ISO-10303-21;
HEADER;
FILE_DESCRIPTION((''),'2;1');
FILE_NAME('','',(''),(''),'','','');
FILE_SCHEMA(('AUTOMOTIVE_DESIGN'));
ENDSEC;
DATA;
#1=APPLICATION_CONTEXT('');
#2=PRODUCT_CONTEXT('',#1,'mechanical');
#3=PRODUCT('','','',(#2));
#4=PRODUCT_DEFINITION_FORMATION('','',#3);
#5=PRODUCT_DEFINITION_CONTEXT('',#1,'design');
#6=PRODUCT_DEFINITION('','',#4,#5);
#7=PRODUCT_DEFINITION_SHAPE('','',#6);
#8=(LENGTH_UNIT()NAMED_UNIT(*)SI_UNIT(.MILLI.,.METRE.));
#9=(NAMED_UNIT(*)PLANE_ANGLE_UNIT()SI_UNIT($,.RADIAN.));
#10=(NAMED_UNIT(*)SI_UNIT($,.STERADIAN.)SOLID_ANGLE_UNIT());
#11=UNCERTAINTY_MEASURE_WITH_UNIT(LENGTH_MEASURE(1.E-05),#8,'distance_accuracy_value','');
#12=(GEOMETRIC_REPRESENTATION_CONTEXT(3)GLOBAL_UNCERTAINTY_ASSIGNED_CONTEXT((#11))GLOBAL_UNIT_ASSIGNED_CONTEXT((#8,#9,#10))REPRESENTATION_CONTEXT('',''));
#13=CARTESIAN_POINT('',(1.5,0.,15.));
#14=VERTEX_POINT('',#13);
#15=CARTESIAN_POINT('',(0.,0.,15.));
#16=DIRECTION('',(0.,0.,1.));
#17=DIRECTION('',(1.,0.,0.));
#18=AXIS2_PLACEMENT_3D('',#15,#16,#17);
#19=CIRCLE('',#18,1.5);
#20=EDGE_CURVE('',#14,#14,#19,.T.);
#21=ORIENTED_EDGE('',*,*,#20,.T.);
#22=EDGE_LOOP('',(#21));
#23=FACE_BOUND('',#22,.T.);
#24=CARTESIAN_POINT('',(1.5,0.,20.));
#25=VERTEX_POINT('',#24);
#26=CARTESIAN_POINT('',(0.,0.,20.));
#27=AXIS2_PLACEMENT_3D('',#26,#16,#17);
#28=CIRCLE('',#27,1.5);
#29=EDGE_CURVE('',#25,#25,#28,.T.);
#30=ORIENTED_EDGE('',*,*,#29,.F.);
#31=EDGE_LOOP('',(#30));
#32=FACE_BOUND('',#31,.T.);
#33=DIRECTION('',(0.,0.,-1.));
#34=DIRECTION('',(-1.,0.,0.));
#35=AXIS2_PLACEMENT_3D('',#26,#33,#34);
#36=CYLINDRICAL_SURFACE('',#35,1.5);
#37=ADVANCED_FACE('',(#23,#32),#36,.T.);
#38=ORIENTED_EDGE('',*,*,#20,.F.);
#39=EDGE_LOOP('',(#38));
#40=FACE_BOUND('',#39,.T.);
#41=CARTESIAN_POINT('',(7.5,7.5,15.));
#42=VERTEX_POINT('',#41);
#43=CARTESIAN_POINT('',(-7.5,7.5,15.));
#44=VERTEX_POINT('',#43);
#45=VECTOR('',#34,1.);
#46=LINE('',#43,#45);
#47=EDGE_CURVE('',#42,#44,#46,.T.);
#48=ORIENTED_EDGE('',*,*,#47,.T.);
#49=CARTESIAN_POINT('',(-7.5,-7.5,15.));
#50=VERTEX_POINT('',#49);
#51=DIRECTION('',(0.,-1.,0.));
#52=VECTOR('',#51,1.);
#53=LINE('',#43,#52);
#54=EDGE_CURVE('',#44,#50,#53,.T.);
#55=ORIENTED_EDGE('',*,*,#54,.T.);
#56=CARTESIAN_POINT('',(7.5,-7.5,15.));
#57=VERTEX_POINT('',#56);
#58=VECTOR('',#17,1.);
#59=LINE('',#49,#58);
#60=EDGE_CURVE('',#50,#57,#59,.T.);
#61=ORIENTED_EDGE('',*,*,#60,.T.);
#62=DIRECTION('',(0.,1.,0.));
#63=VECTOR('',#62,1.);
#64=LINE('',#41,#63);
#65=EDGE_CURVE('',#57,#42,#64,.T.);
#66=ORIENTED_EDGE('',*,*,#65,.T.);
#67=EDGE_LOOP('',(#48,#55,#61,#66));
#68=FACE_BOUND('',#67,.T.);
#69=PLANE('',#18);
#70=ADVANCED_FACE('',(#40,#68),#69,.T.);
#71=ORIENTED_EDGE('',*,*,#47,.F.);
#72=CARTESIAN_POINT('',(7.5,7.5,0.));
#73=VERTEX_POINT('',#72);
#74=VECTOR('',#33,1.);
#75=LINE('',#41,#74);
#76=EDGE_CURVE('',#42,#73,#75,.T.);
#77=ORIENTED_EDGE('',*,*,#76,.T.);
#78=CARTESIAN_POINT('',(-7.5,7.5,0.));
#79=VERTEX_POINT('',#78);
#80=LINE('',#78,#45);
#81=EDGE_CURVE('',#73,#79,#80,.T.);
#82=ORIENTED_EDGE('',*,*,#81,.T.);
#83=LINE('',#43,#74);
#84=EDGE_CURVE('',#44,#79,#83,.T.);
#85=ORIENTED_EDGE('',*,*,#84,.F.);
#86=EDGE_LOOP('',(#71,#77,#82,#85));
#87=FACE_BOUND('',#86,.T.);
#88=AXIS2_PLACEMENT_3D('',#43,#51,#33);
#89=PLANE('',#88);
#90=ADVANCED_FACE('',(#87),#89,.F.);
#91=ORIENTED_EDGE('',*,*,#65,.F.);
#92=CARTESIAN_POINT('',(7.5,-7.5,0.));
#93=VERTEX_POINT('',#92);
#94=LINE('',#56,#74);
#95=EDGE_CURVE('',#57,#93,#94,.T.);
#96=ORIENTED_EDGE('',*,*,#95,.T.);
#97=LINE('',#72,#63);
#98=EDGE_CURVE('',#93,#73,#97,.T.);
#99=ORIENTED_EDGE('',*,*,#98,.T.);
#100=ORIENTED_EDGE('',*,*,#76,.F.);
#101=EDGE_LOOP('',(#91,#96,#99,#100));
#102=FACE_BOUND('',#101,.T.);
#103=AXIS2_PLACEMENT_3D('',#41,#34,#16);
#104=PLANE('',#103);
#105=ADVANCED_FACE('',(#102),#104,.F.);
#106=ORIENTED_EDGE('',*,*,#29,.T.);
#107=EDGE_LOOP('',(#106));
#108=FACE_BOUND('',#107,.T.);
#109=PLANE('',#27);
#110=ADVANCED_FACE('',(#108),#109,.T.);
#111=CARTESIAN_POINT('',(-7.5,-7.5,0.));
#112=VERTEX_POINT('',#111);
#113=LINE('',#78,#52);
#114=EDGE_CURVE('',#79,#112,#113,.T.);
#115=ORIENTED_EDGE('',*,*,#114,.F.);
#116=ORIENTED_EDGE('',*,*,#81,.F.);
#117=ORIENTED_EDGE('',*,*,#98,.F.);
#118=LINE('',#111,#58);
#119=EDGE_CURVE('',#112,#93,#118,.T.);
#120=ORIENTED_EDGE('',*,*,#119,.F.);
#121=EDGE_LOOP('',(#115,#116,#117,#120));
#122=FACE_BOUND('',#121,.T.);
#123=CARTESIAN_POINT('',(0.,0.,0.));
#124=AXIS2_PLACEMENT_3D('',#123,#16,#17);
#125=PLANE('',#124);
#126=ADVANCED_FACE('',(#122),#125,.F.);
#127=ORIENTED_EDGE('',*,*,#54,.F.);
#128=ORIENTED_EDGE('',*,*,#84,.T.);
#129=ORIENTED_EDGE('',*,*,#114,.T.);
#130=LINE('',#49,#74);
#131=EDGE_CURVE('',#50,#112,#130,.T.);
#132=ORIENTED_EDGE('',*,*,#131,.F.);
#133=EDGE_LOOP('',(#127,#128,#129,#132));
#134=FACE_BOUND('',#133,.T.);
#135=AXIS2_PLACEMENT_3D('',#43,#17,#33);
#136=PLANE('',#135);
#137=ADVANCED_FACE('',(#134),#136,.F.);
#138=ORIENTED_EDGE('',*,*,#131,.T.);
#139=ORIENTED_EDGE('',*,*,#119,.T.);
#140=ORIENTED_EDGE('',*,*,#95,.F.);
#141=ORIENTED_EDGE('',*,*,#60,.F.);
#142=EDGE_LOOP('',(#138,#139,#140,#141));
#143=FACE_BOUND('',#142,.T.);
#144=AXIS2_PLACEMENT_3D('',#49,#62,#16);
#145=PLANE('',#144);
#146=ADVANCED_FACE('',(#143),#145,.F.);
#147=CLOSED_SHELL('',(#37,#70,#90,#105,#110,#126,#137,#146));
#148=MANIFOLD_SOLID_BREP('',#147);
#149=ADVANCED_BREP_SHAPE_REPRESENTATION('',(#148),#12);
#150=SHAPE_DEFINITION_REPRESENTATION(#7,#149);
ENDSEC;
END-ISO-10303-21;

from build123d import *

# Parameters (mm, degrees)
SKETCH_2_W      = 15
SKETCH_2_H      = 15
EXTRUDE_1_DEPTH = 15
SKETCH_3_R      = 1.5
EXTRUDE_2_DEPTH = 5


with BuildPart() as part:
    # 草图2 → 凸台-拉伸1 (new body)
    with BuildSketch(Plane.XY):
        Rectangle(SKETCH_2_W, SKETCH_2_H)
    extrude(amount=EXTRUDE_1_DEPTH)

    # 草图3 → 凸台-拉伸2 (add)
    with BuildSketch(Plane.XY.offset(15)):
        Circle(SKETCH_3_R)
    extrude(amount=EXTRUDE_2_DEPTH)


solid = part.part
